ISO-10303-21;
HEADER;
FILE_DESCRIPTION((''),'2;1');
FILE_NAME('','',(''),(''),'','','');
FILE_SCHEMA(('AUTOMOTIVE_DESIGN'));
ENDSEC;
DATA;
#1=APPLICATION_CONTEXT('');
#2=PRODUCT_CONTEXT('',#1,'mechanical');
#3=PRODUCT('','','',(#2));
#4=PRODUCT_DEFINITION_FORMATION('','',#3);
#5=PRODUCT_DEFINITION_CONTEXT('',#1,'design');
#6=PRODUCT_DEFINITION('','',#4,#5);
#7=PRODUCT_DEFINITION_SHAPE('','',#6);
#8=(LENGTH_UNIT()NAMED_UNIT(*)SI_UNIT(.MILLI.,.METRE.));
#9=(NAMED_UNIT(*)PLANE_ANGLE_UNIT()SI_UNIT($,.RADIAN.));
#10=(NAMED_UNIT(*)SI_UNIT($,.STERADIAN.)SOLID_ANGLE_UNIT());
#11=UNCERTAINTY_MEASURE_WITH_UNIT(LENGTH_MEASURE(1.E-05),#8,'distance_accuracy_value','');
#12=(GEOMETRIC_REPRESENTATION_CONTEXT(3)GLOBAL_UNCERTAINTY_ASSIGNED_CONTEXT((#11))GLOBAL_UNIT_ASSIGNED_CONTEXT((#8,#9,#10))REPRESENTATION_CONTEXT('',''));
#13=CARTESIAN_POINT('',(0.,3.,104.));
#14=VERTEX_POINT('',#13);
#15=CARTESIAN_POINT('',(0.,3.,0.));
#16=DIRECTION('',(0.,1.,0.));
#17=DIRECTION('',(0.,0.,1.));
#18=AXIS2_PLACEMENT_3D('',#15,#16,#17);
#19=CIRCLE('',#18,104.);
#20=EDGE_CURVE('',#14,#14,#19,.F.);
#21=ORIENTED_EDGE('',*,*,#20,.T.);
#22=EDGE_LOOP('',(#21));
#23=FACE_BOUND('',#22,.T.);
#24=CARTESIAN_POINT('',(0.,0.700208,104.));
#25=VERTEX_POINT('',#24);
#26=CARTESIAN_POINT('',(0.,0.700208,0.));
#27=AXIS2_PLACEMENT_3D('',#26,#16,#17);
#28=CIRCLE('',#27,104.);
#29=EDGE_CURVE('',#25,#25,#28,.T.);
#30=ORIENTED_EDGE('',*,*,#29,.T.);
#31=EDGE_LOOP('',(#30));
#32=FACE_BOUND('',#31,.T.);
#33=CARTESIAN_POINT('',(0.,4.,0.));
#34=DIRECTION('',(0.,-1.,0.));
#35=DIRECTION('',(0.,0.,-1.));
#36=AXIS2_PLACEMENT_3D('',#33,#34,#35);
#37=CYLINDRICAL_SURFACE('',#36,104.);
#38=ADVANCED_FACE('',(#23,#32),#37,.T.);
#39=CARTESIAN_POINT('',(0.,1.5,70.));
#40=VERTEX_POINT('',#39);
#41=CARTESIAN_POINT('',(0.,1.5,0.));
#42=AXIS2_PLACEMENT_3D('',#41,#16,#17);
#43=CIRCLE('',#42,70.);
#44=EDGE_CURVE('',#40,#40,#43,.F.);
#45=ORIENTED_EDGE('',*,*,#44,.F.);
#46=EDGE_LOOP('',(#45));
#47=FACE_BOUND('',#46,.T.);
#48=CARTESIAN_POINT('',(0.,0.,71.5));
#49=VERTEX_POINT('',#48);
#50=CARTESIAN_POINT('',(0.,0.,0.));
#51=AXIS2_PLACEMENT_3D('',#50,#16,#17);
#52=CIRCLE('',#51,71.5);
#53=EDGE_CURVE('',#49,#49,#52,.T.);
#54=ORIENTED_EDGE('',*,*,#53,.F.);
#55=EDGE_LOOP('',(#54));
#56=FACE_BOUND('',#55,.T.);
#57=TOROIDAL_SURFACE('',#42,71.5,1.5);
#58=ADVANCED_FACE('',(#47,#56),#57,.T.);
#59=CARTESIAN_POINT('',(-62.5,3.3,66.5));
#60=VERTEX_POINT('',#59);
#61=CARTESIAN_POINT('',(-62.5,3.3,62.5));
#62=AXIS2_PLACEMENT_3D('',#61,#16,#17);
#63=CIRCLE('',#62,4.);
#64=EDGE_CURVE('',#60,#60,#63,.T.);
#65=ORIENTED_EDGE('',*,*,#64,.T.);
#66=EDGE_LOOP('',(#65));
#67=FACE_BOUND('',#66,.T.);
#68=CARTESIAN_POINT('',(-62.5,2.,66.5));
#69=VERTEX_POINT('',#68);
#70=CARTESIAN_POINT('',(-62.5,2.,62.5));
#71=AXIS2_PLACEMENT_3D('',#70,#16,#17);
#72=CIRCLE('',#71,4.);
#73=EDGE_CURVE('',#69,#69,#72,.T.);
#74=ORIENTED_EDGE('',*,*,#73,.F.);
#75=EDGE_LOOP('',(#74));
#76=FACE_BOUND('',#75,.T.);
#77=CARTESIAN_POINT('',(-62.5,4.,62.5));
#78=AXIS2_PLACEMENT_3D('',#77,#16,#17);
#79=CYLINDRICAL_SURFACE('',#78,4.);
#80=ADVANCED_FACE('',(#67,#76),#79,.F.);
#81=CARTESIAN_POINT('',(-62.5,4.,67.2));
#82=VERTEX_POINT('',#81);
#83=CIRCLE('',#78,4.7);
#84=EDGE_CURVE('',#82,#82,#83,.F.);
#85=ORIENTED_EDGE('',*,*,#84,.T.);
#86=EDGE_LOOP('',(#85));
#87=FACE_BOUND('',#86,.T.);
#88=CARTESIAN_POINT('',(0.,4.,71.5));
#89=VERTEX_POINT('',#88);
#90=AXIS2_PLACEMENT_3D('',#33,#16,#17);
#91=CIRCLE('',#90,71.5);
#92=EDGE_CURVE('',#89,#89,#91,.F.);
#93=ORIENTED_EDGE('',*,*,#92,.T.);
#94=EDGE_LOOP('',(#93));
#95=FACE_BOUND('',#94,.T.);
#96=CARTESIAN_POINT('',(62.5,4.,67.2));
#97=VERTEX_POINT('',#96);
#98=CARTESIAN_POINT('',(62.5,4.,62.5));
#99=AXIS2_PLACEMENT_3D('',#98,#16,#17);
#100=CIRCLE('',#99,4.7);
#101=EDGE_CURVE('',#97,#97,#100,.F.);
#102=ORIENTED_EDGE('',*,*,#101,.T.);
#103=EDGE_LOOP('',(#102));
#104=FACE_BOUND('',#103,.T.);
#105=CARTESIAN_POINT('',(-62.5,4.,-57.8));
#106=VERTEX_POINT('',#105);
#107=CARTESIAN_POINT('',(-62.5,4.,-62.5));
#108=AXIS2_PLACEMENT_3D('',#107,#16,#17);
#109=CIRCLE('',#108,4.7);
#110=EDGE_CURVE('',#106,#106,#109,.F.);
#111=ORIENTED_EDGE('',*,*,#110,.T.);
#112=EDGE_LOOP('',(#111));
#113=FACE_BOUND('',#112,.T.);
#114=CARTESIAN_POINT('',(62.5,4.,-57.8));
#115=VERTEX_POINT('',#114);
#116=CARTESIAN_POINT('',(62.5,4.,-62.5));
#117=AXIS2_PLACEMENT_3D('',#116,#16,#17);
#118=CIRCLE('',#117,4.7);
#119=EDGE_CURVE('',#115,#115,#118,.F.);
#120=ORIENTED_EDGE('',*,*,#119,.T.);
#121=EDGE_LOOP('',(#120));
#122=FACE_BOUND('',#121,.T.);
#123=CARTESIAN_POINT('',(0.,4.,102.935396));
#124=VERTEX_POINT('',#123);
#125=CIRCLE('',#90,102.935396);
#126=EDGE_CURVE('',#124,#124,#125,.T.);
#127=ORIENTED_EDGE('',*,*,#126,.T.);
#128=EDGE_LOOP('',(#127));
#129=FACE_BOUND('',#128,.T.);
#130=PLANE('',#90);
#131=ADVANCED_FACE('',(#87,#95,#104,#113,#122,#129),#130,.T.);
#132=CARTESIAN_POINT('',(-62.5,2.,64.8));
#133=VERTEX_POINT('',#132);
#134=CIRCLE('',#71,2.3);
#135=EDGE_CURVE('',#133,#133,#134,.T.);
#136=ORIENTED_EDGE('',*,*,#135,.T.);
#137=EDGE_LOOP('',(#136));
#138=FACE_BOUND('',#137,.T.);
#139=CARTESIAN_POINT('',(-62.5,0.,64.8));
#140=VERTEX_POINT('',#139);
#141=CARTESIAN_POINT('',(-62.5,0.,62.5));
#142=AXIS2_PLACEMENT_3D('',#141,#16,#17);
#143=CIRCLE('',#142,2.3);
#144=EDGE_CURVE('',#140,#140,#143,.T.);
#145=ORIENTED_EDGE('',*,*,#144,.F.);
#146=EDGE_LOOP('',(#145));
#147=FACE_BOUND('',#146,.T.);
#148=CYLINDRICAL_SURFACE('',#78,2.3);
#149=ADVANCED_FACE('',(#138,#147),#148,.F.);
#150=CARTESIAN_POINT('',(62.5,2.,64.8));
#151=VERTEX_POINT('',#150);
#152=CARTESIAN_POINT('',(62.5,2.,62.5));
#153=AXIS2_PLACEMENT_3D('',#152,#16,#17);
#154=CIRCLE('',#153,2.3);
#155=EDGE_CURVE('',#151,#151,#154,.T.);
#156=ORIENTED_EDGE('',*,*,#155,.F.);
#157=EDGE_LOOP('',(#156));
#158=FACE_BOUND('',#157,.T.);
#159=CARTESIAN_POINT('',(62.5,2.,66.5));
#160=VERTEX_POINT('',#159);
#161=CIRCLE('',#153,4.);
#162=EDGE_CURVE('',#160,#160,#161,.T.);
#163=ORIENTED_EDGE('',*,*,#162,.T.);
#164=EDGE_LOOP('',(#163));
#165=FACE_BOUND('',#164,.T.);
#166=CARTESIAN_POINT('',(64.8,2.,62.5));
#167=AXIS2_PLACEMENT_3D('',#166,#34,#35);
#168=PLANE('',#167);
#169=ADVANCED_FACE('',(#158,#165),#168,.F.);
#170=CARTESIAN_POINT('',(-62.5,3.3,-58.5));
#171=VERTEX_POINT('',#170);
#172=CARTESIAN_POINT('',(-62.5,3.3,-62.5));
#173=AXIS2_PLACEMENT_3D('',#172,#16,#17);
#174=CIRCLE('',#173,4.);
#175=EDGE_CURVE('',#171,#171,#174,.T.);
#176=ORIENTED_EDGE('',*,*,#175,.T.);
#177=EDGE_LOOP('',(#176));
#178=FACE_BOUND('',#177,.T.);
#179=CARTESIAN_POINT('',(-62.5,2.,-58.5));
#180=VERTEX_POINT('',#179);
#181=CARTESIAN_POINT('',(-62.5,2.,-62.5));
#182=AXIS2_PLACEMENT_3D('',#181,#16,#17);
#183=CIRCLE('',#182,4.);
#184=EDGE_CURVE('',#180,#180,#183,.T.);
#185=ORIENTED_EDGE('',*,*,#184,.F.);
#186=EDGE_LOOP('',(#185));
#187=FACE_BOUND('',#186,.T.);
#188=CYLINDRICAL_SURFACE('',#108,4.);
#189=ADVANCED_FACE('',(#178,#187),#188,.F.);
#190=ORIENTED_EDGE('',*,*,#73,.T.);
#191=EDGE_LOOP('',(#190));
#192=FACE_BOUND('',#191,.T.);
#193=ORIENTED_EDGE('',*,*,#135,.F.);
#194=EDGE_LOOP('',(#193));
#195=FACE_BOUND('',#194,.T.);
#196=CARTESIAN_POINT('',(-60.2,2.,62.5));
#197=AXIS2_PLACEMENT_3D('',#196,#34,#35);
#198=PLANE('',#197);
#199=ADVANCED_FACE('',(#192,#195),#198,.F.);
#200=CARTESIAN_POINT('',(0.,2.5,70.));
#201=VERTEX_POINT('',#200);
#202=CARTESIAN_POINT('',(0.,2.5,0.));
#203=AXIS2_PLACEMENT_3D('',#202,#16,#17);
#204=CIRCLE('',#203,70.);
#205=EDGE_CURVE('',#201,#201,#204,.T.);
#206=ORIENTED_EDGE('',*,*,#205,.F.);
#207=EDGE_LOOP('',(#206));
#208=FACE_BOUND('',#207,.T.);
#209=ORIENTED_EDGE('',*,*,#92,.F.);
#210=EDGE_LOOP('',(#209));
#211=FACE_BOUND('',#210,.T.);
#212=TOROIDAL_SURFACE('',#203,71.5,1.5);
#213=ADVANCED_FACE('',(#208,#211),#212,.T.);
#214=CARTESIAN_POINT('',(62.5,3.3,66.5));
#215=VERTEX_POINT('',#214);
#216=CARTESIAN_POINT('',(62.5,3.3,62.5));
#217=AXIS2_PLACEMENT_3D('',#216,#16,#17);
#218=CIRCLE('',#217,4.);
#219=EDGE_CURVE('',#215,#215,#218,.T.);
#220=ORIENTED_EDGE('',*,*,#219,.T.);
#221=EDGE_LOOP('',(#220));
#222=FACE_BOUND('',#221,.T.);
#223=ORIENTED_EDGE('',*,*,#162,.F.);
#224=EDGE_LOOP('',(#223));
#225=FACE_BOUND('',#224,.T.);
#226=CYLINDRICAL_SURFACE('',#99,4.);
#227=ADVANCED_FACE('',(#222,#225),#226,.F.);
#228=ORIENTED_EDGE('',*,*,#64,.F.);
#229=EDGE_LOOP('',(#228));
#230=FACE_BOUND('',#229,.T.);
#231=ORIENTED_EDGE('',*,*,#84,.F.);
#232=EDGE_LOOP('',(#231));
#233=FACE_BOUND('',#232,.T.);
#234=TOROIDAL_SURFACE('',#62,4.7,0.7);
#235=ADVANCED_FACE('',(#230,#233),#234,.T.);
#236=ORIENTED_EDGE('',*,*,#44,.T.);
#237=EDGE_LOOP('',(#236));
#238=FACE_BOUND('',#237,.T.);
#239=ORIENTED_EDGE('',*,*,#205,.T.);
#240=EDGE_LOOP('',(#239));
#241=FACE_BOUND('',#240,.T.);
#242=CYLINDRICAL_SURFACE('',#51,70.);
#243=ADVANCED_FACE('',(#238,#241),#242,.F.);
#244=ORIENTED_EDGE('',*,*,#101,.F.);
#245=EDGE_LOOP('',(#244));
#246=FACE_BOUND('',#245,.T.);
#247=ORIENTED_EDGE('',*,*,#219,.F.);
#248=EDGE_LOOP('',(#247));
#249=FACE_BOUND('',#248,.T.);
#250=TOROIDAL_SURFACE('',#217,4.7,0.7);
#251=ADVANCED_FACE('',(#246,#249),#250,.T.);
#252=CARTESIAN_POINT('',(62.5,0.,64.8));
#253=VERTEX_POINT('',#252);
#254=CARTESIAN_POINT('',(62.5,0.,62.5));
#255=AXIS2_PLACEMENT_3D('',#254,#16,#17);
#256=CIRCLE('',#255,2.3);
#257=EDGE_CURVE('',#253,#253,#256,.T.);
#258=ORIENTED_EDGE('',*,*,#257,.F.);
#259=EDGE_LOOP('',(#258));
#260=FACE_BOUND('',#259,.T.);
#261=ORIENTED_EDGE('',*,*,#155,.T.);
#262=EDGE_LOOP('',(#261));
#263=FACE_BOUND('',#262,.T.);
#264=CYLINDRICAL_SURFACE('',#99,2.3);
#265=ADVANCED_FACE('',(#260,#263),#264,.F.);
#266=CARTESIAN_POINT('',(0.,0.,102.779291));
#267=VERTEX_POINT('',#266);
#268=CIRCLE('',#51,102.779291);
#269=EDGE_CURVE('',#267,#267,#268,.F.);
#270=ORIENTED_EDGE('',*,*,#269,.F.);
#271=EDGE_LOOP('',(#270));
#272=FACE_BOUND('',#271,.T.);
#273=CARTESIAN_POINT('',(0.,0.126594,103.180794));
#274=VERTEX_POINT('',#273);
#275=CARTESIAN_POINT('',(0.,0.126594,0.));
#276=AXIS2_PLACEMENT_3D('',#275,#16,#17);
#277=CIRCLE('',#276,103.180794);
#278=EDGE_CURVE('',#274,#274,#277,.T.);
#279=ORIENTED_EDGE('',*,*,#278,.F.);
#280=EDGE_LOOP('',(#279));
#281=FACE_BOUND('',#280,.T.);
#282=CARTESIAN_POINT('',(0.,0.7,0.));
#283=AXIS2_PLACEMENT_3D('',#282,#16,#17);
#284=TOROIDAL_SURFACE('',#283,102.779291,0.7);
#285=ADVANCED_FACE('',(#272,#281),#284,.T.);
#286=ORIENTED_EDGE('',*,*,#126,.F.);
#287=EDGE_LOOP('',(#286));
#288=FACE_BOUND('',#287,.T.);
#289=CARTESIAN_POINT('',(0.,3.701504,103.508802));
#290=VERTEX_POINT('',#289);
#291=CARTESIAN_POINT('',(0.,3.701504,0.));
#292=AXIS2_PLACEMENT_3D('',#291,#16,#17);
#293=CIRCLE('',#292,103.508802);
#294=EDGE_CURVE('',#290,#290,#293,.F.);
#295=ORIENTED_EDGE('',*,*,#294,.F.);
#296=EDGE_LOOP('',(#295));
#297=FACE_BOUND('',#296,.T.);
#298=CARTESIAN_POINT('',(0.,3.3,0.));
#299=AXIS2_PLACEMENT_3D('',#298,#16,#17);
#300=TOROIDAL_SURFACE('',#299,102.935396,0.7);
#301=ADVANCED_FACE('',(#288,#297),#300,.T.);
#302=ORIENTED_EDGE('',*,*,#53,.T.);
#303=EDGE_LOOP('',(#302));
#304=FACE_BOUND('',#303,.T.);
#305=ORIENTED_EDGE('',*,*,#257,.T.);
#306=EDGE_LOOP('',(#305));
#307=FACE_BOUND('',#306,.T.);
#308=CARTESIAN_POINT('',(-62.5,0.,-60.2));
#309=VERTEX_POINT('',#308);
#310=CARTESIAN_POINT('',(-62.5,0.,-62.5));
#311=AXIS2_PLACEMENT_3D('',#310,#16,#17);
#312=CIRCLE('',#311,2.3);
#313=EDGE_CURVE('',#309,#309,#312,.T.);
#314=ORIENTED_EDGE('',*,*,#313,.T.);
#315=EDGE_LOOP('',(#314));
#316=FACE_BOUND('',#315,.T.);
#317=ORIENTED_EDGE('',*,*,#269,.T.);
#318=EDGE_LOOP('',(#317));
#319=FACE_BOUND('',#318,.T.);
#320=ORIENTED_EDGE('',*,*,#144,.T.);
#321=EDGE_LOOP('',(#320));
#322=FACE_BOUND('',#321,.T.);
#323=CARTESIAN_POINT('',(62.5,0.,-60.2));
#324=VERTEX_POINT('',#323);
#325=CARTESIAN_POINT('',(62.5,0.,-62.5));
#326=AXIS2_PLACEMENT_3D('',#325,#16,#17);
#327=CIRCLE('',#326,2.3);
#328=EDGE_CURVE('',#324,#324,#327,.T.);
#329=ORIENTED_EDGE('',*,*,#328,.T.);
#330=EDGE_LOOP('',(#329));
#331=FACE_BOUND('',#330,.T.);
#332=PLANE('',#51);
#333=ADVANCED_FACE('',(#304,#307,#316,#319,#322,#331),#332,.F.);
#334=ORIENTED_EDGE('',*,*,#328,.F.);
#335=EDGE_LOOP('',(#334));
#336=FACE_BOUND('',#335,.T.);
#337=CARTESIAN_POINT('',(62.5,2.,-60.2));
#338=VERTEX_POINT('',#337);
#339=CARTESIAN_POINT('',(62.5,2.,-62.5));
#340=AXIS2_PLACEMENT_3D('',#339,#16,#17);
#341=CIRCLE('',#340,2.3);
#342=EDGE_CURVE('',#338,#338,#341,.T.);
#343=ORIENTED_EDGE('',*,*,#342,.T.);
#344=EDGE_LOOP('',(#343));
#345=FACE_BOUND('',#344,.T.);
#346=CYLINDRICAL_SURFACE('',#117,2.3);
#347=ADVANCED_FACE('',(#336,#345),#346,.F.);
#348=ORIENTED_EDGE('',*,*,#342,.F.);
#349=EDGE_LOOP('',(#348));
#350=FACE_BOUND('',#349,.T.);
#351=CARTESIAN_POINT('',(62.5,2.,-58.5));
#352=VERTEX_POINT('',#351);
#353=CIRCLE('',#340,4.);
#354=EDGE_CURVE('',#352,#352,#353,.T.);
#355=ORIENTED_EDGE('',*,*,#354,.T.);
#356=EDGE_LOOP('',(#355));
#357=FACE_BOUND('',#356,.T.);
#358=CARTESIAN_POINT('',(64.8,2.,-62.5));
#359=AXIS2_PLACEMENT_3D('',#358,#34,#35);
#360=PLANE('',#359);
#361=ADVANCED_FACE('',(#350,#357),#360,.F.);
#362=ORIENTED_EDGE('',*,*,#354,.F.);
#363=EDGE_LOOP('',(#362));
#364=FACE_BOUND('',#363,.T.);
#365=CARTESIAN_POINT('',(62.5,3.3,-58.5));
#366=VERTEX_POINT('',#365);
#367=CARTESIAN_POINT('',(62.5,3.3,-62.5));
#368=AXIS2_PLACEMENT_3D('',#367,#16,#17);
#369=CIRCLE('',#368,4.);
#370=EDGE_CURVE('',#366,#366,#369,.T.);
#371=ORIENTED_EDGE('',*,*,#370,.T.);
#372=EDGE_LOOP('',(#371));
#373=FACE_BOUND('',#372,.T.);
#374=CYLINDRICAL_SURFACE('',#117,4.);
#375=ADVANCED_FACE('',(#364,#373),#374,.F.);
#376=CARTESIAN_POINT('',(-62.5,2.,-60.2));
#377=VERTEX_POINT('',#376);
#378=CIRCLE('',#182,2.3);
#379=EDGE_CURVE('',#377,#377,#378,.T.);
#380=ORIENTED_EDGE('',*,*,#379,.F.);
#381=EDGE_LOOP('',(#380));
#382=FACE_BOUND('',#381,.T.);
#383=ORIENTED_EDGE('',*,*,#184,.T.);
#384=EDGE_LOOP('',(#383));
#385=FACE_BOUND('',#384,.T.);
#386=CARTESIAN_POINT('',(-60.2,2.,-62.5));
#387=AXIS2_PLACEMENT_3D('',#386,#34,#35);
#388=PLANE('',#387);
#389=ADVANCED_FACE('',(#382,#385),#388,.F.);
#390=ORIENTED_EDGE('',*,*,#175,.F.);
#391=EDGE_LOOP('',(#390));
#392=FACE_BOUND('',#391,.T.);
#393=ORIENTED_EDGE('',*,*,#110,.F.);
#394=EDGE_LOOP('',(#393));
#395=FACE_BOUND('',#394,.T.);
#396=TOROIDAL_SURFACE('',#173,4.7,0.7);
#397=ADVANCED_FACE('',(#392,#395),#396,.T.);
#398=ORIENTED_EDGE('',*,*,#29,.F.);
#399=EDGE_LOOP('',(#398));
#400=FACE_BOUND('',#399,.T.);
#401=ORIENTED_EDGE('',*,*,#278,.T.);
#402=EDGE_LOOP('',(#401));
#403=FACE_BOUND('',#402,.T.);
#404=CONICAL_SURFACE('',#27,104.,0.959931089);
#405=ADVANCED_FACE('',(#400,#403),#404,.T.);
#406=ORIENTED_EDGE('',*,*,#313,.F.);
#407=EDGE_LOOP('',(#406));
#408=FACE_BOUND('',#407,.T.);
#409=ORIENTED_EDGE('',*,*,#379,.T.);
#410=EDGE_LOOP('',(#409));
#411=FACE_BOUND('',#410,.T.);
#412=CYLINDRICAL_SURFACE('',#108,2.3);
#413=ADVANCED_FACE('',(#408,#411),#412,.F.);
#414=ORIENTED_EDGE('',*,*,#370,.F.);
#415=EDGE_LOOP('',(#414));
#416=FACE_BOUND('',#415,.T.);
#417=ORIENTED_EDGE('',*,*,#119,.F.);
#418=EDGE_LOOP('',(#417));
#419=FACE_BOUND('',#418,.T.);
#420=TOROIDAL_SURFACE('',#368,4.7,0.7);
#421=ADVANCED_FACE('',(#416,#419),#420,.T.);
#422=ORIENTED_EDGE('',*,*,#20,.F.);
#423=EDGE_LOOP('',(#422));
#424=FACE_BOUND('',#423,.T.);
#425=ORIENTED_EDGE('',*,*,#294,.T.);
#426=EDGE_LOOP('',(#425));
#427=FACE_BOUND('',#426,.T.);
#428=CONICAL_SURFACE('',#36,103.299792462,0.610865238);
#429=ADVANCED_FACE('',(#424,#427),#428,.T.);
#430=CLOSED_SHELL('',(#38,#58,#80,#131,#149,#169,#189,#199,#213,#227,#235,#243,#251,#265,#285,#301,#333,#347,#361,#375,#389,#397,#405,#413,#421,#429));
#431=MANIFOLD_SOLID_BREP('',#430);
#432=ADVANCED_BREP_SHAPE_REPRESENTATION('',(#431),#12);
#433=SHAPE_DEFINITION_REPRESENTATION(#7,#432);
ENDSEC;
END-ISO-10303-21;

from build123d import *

# Parameters (mm, degrees)
SKETCH2_R                               = 104
BOSS_EXTRUDE3_DEPTH                     = 4
CBORE_FOR_M5_HEX_HEAD_BOLT1_D           = 4.6
CBORE_FOR_M5_HEX_HEAD_BOLT1_CBORE_D     = 8
CBORE_FOR_M5_HEX_HEAD_BOLT1_CBORE_DEPTH = 2
SKETCH7_R                               = 70
CUT_EXTRUDE1_DEPTH                      = 4
FILLET1_R                               = 1.5
CHAMFER1_SIZE                           = 1
CHAMFER1_SIZE2                          = 0.700207538
CHAMFER1_PART_2_SIZE                    = 1
CHAMFER1_PART_2_SIZE2                   = 0.700207538
FILLET2_R                               = 0.7
FILLET3_R                               = 0.7
FILLET4_R                               = 0.7


with BuildPart() as part:
    # Sketch2 → Boss-Extrude3 (new body)
    with BuildSketch(Plane(origin=(0, 0, 0), x_dir=(1, 0, 0), z_dir=(0, 1, 0))):
        Circle(SKETCH2_R)
    extrude(amount=BOSS_EXTRUDE3_DEPTH)

    # CBORE for M5 Hex Head Bolt1 (through all)
    with Locations(Plane(origin=(0, 4, 0), x_dir=(1, 0, 0), z_dir=(0, 1, 0))):
        with Locations((-62.5, 62.5), (62.5, 62.5), (62.5, -62.5), (-62.5, -62.5)):
            CounterBoreHole(CBORE_FOR_M5_HEX_HEAD_BOLT1_D / 2, CBORE_FOR_M5_HEX_HEAD_BOLT1_CBORE_D / 2, CBORE_FOR_M5_HEX_HEAD_BOLT1_CBORE_DEPTH)

    # Sketch7 → Cut-Extrude1 (cut)
    with BuildSketch(Plane(origin=(0, 4, 0), x_dir=(1, 0, 0), z_dir=(0, 1, 0))):
        Circle(SKETCH7_R)
    extrude(amount=-CUT_EXTRUDE1_DEPTH, mode=Mode.SUBTRACT)

    # Fillet1
    fillet1_edges = [part.edges().sort_by_distance(p)[0] for p in [
        (-70, 0, 0),
        (-70, 4, 0),
    ]]
    fillet(fillet1_edges, radius=FILLET1_R)

    # Chamfer1
    chamfer1_edges = [part.edges().sort_by_distance(p)[0] for p in [
        (-104, 0, 0),
    ]]
    chamfer1_side = [part.faces().sort_by_distance(p)[0] for p in [
        (-74.44156421, 0, 0),
    ]]
    chamfer(chamfer1_edges, length=CHAMFER1_SIZE, length2=CHAMFER1_SIZE2, reference=chamfer1_side[0])

    # Chamfer1 part 2
    chamfer1_part_2_edges = [part.edges().sort_by_distance(p)[0] for p in [
        (-104, 4, 0),
    ]]
    chamfer1_part_2_side = [part.faces().sort_by_distance(p)[0] for p in [
        (-104, 2, 0),
    ]]
    chamfer(chamfer1_part_2_edges, length=CHAMFER1_PART_2_SIZE, length2=CHAMFER1_PART_2_SIZE2, reference=chamfer1_part_2_side[0])

    # Fillet2
    fillet2_edges = [part.edges().sort_by_distance(p)[0] for p in [
        (-66.5, 4, 62.5),
        (58.5, 4, 62.5),
        (58.5, 4, -62.5),
        (-66.5, 4, -62.5),
    ]]
    fillet(fillet2_edges, radius=FILLET2_R)

    # Fillet3
    fillet3_edges = [part.edges().sort_by_distance(p)[0] for p in [
        (-103, 0, 0),
    ]]
    fillet(fillet3_edges, radius=FILLET3_R)

    # Fillet4
    fillet4_edges = [part.edges().sort_by_distance(p)[0] for p in [
        (-103.299792462, 4, 0),
    ]]
    fillet(fillet4_edges, radius=FILLET4_R)


solid = part.part
